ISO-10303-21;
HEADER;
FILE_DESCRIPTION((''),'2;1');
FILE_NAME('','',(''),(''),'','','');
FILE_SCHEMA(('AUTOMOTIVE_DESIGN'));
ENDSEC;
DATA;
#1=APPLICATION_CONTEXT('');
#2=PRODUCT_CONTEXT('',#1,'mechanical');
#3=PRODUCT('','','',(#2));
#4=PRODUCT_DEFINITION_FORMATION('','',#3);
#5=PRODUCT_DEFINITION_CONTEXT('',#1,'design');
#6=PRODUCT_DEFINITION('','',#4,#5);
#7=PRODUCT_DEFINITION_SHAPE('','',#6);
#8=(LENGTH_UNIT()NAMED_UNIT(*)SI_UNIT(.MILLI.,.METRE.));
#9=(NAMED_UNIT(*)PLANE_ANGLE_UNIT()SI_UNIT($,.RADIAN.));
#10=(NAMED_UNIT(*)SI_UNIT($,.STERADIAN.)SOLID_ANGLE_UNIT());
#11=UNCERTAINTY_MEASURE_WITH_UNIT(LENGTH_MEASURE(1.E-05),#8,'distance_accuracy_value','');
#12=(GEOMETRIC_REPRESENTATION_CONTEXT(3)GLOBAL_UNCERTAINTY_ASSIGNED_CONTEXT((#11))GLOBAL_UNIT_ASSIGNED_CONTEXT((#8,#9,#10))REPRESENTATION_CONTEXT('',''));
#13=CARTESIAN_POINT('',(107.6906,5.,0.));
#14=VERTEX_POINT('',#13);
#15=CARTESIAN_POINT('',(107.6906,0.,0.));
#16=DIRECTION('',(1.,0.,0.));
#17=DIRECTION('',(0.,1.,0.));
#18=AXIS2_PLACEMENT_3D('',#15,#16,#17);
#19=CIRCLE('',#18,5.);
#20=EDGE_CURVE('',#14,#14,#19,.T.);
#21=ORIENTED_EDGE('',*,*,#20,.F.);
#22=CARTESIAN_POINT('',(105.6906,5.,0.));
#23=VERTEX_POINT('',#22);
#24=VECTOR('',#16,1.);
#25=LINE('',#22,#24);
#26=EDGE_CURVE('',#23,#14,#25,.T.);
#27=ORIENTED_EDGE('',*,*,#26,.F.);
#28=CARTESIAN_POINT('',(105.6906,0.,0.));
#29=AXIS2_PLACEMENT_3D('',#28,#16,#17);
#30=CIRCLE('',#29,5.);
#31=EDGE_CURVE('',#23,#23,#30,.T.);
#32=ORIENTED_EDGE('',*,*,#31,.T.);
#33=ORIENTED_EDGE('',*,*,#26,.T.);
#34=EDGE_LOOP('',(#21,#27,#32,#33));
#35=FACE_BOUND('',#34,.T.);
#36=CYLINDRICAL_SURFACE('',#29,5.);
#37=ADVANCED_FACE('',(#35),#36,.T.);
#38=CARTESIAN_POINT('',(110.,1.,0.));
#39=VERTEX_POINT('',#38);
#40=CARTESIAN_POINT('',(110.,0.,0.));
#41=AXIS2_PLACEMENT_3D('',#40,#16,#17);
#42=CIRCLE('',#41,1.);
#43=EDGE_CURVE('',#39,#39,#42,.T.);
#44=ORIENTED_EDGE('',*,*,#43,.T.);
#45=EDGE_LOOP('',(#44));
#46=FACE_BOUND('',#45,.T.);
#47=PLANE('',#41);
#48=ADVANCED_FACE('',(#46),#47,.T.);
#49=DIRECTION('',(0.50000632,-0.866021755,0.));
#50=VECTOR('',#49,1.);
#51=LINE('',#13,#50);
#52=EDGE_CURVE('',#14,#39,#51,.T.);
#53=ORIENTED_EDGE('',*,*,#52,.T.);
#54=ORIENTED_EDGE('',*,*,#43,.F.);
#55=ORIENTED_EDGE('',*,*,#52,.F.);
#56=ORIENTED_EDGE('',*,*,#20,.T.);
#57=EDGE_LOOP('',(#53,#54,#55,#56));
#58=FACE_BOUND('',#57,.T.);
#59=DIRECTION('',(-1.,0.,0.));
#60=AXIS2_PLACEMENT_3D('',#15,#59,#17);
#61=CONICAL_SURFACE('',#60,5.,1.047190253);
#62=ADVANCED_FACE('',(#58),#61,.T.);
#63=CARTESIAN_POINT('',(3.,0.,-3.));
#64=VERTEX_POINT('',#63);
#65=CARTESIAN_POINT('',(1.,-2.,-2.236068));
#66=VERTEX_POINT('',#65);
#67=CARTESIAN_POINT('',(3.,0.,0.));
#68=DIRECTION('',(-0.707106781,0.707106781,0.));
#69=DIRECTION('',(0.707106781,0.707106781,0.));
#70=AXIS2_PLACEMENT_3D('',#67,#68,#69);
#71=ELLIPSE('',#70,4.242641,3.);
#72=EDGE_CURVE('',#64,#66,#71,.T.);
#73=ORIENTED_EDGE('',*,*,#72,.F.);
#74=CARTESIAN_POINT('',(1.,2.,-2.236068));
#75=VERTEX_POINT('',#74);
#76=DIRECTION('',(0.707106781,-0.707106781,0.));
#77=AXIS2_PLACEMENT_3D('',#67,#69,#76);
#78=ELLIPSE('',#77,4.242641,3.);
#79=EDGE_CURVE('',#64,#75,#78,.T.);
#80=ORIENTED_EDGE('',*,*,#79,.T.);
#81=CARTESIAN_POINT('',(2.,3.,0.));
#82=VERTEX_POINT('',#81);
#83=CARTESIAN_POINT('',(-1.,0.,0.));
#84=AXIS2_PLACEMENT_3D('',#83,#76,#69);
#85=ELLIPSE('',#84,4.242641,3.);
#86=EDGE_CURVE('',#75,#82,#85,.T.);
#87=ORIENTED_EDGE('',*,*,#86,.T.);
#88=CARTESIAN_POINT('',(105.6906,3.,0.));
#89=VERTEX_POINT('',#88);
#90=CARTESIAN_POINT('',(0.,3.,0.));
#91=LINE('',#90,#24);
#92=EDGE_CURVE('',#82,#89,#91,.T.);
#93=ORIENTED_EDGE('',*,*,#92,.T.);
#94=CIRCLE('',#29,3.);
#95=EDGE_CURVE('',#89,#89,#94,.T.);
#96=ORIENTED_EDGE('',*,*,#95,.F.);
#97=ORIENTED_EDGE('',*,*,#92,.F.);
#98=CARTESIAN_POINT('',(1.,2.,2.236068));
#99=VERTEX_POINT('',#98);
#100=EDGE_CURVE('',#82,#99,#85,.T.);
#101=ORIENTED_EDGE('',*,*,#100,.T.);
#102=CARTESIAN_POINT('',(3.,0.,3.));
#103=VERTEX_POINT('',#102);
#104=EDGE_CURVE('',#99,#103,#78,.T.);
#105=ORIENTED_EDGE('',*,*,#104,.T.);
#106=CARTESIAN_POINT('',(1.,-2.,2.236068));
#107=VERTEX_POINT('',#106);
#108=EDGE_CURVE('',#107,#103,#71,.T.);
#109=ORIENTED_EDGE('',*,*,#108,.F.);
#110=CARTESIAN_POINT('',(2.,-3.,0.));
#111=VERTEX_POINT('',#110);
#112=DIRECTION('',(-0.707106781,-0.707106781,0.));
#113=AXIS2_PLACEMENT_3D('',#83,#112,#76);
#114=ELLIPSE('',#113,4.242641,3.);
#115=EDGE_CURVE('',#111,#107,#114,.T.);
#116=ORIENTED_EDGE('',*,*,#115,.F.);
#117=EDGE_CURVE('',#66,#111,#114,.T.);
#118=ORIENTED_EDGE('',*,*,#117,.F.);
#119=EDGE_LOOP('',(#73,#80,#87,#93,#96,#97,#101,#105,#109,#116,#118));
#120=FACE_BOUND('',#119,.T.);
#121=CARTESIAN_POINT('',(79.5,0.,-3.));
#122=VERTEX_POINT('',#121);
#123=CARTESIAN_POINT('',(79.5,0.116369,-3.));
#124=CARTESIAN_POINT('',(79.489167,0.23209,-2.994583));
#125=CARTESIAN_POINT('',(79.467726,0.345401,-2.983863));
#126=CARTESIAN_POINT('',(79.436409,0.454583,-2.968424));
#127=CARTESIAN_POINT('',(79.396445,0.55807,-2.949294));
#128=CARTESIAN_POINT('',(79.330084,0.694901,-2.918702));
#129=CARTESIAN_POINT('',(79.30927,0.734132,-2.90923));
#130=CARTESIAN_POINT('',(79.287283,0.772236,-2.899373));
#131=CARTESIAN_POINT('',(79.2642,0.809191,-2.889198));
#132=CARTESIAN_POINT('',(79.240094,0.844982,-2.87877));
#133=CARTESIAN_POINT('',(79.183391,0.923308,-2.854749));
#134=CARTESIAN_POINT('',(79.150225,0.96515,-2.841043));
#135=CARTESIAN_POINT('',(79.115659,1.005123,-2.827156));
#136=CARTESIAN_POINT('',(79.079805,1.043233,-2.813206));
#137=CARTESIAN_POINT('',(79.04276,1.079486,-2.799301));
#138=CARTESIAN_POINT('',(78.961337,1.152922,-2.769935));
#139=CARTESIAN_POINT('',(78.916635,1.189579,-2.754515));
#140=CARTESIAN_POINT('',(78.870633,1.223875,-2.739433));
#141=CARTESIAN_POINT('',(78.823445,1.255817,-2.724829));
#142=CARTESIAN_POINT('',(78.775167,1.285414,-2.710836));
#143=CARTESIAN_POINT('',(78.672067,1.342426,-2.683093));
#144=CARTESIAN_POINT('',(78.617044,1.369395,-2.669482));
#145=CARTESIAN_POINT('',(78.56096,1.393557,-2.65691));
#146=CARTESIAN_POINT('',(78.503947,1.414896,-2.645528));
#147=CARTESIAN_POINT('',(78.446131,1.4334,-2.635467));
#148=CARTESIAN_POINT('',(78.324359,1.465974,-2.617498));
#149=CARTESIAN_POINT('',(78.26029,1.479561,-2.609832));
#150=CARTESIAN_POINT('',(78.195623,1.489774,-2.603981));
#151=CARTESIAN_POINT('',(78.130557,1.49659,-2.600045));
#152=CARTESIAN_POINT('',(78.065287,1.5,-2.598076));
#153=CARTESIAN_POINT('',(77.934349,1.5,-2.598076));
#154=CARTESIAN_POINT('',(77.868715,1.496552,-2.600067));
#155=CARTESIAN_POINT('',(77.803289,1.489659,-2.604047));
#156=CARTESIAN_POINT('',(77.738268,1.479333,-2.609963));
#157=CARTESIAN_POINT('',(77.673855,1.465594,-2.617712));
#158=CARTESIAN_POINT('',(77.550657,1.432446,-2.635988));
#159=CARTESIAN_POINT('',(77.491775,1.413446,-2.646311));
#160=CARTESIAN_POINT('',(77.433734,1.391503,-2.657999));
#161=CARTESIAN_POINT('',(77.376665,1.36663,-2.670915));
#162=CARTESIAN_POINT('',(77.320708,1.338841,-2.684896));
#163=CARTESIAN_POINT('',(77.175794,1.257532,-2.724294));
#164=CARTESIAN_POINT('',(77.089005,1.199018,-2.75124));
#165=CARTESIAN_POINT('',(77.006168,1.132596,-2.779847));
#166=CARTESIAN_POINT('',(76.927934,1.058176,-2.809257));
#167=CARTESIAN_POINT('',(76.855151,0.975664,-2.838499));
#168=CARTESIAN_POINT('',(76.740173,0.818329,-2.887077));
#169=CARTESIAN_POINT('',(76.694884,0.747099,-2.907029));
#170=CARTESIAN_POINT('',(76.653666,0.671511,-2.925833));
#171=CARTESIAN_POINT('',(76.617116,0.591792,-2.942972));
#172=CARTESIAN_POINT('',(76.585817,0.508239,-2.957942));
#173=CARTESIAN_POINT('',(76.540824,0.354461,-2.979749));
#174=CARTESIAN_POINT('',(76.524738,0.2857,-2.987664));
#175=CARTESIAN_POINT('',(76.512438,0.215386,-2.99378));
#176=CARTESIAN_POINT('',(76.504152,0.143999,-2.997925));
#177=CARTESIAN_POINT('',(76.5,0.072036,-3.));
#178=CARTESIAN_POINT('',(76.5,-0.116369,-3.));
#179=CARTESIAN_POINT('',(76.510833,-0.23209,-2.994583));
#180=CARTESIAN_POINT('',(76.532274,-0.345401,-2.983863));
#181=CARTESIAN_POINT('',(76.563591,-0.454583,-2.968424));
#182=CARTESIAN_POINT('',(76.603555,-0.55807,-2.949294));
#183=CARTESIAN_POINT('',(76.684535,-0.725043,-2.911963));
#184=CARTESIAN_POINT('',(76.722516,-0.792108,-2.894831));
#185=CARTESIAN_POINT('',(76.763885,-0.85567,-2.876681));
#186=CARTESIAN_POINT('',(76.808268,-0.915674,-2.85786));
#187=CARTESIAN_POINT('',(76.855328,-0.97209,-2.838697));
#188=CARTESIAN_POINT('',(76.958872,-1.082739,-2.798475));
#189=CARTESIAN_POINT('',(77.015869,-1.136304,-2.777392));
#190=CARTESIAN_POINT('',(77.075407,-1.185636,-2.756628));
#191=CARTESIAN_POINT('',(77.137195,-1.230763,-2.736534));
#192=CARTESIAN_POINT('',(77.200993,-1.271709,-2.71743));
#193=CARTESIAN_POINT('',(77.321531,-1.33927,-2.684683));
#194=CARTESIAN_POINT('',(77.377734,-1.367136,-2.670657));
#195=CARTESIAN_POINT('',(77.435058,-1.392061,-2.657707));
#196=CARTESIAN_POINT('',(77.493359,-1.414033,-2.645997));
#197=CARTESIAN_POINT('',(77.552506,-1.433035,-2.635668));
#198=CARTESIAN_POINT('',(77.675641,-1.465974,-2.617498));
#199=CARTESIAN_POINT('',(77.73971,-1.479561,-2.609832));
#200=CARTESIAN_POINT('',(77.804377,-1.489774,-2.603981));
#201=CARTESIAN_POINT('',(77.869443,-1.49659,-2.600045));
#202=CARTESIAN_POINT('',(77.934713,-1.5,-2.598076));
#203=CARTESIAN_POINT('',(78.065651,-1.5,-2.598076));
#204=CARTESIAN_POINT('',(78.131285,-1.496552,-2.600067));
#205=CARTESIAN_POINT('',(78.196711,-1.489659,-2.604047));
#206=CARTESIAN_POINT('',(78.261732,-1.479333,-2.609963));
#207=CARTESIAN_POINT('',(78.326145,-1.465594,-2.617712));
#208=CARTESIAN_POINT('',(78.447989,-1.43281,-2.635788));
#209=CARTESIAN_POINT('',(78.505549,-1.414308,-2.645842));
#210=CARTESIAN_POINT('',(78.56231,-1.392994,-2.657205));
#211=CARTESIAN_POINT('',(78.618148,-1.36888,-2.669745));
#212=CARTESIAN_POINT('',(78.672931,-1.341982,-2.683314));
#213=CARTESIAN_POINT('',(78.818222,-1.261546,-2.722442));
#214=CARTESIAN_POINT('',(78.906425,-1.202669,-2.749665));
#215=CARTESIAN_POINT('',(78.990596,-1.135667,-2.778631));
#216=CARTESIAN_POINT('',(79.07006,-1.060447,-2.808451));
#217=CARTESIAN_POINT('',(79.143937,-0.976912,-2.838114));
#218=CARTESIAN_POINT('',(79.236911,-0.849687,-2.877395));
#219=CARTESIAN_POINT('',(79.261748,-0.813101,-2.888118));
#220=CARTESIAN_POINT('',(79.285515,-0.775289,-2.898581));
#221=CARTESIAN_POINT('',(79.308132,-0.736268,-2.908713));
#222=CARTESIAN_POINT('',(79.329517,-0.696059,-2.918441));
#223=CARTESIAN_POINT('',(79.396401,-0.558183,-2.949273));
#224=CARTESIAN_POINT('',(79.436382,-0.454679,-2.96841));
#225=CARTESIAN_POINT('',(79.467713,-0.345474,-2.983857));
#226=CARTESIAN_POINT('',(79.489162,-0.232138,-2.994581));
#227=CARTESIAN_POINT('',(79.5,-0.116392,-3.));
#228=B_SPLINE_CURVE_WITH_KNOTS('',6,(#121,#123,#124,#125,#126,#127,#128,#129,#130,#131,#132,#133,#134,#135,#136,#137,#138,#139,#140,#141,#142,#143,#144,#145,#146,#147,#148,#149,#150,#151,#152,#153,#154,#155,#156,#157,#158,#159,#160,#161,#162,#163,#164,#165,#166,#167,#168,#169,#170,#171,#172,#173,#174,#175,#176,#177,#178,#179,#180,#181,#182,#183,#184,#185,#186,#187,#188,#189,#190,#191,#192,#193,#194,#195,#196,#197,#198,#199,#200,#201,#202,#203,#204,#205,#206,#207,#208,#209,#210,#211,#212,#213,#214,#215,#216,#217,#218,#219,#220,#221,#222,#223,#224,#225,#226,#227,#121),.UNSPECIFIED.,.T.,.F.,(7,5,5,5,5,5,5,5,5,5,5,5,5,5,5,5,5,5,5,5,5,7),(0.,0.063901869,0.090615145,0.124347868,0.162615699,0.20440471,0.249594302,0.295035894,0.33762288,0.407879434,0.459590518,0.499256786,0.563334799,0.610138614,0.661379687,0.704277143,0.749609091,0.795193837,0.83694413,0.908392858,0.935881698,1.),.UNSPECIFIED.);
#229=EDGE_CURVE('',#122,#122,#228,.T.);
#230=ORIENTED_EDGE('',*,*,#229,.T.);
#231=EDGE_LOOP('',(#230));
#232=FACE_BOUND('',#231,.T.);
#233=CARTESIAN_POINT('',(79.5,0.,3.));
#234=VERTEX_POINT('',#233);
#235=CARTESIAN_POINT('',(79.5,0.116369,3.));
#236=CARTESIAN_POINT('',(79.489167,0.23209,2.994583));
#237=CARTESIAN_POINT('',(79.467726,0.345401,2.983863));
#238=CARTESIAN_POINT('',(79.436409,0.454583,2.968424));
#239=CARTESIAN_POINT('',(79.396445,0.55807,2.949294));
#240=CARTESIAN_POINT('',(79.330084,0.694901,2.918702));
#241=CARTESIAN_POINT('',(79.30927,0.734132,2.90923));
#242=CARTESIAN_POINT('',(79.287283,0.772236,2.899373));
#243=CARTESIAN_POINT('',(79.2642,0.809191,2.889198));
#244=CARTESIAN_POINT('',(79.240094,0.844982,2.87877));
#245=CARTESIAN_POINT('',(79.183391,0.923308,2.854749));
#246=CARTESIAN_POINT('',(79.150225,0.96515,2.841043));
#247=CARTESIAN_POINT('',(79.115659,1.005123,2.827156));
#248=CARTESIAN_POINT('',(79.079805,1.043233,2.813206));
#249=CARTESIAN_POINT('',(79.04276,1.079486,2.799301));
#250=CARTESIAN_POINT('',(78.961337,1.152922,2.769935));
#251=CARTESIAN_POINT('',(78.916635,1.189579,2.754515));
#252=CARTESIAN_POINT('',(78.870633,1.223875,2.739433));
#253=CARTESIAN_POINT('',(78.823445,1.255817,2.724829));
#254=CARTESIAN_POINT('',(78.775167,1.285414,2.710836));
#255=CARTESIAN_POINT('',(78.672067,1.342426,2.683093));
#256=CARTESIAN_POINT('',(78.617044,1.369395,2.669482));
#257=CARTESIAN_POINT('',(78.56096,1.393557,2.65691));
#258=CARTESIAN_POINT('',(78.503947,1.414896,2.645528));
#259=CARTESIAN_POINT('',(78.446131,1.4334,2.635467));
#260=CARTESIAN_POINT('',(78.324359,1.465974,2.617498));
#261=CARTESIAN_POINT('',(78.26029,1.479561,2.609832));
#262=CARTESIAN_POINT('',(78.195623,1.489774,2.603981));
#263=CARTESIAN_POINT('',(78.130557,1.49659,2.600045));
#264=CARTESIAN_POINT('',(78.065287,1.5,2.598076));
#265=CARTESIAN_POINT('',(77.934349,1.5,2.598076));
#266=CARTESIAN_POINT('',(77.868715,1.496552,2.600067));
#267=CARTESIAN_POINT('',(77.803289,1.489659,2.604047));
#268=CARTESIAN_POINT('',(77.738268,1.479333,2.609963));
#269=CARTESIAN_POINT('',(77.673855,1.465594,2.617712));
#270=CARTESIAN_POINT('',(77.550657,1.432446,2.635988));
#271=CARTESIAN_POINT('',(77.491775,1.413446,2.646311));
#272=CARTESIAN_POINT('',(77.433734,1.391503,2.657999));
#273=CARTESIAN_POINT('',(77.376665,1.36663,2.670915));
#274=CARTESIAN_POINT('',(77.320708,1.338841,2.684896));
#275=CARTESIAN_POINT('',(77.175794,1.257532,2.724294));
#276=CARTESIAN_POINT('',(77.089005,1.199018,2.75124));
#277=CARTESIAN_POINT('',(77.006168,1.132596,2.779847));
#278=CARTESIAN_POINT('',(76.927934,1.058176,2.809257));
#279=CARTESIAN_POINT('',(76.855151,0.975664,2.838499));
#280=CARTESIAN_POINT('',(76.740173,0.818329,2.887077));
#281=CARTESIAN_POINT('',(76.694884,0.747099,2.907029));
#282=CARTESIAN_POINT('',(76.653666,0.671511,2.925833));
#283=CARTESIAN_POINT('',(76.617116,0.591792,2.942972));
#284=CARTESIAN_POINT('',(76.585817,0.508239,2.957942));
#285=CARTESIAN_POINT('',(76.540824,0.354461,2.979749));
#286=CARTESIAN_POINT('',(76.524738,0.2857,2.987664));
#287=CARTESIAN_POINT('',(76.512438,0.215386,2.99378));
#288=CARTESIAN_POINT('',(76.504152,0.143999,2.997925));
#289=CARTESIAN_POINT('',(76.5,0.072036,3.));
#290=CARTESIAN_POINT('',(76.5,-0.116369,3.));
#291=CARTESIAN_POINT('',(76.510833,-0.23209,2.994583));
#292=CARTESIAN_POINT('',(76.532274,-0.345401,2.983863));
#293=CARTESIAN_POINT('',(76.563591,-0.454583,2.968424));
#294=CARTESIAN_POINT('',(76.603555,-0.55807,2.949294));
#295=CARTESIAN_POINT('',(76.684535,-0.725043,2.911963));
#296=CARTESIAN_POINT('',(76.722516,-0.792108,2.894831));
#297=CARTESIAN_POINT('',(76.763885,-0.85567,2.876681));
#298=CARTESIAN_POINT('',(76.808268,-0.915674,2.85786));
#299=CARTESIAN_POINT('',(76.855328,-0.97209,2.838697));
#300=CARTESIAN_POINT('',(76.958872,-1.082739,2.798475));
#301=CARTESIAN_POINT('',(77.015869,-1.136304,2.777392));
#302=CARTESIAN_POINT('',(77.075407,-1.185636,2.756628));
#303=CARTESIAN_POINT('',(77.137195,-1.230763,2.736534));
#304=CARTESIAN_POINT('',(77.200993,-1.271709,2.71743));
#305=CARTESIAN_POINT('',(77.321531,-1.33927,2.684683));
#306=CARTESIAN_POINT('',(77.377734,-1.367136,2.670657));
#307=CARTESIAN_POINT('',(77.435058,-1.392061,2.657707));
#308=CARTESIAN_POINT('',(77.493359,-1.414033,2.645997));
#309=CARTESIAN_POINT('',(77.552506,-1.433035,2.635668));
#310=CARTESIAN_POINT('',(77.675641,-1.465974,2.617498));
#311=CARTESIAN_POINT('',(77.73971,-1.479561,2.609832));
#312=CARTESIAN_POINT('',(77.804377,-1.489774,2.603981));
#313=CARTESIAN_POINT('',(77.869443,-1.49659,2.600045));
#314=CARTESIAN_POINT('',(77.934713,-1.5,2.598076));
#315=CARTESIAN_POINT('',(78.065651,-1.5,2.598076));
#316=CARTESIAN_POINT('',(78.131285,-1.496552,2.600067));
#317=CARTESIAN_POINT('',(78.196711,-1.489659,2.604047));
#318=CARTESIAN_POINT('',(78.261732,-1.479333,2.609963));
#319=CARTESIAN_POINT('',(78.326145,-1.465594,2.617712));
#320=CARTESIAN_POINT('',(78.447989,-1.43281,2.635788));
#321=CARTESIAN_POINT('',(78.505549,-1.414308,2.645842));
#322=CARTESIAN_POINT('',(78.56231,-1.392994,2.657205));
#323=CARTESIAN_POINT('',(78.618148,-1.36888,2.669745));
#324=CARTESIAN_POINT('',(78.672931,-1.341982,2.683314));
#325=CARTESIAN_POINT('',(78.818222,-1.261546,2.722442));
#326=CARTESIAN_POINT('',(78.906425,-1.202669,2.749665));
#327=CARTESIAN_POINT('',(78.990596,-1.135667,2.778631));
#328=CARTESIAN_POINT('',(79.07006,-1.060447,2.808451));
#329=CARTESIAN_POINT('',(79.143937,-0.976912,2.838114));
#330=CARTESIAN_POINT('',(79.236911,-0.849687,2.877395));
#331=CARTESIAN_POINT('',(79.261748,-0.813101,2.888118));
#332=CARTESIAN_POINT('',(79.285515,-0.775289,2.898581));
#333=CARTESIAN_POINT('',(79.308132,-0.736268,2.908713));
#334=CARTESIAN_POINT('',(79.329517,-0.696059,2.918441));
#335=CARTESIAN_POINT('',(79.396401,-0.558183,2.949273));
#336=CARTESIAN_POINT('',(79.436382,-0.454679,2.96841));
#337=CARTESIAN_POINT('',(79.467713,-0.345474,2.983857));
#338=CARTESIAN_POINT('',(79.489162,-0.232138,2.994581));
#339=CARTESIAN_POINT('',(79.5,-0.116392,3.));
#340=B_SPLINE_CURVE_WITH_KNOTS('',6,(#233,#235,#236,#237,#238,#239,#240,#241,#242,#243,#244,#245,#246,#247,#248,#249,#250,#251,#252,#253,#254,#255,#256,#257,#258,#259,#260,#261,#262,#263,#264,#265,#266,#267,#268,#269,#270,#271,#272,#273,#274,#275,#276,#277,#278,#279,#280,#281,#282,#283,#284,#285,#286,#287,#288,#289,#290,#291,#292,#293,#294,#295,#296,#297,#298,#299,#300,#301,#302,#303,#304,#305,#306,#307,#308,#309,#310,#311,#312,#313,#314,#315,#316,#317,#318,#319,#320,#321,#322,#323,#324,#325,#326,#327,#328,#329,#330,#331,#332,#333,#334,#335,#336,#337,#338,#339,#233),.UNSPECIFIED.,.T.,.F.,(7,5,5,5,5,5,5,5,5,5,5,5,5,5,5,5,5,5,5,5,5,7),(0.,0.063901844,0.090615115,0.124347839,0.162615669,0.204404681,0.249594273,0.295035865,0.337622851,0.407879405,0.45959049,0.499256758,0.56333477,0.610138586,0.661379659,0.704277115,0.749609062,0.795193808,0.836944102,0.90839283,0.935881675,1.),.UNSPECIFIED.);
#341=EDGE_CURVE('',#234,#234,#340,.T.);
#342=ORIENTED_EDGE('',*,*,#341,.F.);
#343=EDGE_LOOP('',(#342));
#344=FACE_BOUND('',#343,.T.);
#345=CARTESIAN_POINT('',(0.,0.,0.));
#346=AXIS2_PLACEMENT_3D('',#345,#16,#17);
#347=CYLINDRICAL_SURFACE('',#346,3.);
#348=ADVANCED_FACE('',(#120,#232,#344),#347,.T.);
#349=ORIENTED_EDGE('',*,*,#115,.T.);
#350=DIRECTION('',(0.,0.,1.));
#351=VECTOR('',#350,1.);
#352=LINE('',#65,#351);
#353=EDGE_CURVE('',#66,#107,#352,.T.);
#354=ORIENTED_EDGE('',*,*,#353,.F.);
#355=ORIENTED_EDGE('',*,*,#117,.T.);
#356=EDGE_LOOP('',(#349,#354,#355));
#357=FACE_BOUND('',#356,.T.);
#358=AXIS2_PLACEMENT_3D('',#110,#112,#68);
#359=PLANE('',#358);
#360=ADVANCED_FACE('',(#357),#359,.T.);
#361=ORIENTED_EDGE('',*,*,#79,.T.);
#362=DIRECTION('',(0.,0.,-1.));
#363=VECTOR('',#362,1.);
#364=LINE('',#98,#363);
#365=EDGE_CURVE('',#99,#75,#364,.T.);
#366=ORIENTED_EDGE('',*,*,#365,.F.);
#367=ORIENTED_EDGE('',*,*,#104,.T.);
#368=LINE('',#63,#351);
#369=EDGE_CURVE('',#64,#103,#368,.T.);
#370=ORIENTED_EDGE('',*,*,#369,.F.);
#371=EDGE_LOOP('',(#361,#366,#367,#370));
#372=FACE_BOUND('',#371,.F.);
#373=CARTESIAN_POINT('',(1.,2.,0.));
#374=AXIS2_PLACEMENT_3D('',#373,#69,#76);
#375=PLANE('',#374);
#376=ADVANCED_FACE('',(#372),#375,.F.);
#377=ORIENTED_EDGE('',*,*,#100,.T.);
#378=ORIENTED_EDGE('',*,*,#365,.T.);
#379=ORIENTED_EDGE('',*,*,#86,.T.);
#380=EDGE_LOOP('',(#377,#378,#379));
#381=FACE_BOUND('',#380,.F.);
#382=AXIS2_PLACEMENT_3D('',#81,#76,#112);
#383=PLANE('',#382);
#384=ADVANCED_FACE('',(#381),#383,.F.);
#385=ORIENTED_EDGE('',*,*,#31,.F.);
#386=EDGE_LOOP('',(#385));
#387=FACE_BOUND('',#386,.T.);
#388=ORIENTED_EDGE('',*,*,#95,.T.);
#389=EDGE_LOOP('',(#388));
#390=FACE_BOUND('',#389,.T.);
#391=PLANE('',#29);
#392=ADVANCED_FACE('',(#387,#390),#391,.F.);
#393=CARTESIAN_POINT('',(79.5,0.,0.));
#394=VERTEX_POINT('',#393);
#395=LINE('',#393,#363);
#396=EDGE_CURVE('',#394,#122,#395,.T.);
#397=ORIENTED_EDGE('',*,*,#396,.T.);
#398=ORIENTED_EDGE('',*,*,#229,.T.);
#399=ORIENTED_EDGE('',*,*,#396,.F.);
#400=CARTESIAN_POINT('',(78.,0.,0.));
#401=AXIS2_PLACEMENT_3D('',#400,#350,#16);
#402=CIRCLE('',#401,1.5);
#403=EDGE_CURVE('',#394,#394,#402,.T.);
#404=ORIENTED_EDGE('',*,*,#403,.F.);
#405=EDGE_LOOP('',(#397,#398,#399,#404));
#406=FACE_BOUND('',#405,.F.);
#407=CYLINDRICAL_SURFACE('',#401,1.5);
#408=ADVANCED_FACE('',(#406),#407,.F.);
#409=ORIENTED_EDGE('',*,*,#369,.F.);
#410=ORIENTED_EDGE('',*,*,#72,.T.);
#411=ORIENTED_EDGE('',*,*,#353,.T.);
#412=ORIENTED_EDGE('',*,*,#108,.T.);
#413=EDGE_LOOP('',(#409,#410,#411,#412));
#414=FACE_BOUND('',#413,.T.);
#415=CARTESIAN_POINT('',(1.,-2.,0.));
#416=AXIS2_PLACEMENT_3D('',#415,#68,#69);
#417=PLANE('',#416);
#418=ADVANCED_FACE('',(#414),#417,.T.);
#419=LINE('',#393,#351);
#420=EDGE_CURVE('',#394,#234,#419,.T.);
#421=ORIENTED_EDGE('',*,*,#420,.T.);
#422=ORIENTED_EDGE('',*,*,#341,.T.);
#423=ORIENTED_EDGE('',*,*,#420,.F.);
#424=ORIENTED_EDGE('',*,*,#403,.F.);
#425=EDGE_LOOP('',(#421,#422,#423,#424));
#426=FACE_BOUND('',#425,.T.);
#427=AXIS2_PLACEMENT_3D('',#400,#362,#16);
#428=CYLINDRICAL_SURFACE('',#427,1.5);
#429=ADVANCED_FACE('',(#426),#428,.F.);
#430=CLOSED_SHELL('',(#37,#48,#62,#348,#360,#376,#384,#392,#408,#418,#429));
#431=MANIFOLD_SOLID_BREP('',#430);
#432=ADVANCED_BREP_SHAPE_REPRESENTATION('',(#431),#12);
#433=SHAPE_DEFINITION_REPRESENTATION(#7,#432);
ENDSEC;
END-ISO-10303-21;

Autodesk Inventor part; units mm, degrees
ref_plane "YZ Plane" through (0, 0, 0) normal (1, 0, 0) x (0, 1, 0)
ref_plane "XZ Plane" through (0, 0, 0) normal (0, 1, 0) x (-1, 0, 0)
ref_plane "XY Plane" through (0, 0, 0) normal (0, 0, 1) x (1, 0, 0)
sketch "Sketch1" plane through (0, 0, 0) normal (0, 0, 1) x (1, 0, 0)
  line L0 (-22.1155, 0) -> (132.6928, 0) projected
  line L1 (0, -4.6) -> (0, 6.6) projected
  line L2 (0, 3) -> (105.6906, 3)
  line L3 (105.6906, 3) -> (105.6906, 5)
  line L4 (105.6906, 5) -> (107.6906, 5)
  line L5 (107.6906, 5) -> (110.5774, 0)
  line L6 (0, 3) -> (3, 0)
  line L7 (0, 3) -> (0, 0)
  line L8 (110, 1) -> (110, 0)
  line L9 (0, -3) -> (3, 0)
  circle A0 centre (78, 0) radius 1.5
  line L10 (2, 3) -> (1, 2)
  line L11 (0, -3) -> (105.6906, -3)
  line L12 (2, -3) -> (1, -2)
  point P0 (1, -2)
  dimension "d0" = 6
  dimension "d2" = 60
  dimension "d3" = 2
  dimension "d4" = 10
  dimension "d5" = 2
  dimension "d6" = 110
  dimension "d10" = 3
  dimension "d14" = 2
  dimension "d16" = 32
revolve "Revolution1" add sketch "Sketch1" angle 360 about axis through (-10, 0, 0) along (1, 0, 0) picked at (78.1773, 0.4675) contours L6 L10 L2 L3 L4 L5 L8 L0 A0 | L2 L10 L6 | A0 L0
extrude "Extrusion1" cut sketch "Sketch1" along normal through all both and the other way through all contours L1 L6 L0 | L0 L9 L1 | L9 L12 L11 | L2 L10 L6 | A0 L0 | L0 A0
properties part number "TW2A-002" material "Steel, Carbon"
